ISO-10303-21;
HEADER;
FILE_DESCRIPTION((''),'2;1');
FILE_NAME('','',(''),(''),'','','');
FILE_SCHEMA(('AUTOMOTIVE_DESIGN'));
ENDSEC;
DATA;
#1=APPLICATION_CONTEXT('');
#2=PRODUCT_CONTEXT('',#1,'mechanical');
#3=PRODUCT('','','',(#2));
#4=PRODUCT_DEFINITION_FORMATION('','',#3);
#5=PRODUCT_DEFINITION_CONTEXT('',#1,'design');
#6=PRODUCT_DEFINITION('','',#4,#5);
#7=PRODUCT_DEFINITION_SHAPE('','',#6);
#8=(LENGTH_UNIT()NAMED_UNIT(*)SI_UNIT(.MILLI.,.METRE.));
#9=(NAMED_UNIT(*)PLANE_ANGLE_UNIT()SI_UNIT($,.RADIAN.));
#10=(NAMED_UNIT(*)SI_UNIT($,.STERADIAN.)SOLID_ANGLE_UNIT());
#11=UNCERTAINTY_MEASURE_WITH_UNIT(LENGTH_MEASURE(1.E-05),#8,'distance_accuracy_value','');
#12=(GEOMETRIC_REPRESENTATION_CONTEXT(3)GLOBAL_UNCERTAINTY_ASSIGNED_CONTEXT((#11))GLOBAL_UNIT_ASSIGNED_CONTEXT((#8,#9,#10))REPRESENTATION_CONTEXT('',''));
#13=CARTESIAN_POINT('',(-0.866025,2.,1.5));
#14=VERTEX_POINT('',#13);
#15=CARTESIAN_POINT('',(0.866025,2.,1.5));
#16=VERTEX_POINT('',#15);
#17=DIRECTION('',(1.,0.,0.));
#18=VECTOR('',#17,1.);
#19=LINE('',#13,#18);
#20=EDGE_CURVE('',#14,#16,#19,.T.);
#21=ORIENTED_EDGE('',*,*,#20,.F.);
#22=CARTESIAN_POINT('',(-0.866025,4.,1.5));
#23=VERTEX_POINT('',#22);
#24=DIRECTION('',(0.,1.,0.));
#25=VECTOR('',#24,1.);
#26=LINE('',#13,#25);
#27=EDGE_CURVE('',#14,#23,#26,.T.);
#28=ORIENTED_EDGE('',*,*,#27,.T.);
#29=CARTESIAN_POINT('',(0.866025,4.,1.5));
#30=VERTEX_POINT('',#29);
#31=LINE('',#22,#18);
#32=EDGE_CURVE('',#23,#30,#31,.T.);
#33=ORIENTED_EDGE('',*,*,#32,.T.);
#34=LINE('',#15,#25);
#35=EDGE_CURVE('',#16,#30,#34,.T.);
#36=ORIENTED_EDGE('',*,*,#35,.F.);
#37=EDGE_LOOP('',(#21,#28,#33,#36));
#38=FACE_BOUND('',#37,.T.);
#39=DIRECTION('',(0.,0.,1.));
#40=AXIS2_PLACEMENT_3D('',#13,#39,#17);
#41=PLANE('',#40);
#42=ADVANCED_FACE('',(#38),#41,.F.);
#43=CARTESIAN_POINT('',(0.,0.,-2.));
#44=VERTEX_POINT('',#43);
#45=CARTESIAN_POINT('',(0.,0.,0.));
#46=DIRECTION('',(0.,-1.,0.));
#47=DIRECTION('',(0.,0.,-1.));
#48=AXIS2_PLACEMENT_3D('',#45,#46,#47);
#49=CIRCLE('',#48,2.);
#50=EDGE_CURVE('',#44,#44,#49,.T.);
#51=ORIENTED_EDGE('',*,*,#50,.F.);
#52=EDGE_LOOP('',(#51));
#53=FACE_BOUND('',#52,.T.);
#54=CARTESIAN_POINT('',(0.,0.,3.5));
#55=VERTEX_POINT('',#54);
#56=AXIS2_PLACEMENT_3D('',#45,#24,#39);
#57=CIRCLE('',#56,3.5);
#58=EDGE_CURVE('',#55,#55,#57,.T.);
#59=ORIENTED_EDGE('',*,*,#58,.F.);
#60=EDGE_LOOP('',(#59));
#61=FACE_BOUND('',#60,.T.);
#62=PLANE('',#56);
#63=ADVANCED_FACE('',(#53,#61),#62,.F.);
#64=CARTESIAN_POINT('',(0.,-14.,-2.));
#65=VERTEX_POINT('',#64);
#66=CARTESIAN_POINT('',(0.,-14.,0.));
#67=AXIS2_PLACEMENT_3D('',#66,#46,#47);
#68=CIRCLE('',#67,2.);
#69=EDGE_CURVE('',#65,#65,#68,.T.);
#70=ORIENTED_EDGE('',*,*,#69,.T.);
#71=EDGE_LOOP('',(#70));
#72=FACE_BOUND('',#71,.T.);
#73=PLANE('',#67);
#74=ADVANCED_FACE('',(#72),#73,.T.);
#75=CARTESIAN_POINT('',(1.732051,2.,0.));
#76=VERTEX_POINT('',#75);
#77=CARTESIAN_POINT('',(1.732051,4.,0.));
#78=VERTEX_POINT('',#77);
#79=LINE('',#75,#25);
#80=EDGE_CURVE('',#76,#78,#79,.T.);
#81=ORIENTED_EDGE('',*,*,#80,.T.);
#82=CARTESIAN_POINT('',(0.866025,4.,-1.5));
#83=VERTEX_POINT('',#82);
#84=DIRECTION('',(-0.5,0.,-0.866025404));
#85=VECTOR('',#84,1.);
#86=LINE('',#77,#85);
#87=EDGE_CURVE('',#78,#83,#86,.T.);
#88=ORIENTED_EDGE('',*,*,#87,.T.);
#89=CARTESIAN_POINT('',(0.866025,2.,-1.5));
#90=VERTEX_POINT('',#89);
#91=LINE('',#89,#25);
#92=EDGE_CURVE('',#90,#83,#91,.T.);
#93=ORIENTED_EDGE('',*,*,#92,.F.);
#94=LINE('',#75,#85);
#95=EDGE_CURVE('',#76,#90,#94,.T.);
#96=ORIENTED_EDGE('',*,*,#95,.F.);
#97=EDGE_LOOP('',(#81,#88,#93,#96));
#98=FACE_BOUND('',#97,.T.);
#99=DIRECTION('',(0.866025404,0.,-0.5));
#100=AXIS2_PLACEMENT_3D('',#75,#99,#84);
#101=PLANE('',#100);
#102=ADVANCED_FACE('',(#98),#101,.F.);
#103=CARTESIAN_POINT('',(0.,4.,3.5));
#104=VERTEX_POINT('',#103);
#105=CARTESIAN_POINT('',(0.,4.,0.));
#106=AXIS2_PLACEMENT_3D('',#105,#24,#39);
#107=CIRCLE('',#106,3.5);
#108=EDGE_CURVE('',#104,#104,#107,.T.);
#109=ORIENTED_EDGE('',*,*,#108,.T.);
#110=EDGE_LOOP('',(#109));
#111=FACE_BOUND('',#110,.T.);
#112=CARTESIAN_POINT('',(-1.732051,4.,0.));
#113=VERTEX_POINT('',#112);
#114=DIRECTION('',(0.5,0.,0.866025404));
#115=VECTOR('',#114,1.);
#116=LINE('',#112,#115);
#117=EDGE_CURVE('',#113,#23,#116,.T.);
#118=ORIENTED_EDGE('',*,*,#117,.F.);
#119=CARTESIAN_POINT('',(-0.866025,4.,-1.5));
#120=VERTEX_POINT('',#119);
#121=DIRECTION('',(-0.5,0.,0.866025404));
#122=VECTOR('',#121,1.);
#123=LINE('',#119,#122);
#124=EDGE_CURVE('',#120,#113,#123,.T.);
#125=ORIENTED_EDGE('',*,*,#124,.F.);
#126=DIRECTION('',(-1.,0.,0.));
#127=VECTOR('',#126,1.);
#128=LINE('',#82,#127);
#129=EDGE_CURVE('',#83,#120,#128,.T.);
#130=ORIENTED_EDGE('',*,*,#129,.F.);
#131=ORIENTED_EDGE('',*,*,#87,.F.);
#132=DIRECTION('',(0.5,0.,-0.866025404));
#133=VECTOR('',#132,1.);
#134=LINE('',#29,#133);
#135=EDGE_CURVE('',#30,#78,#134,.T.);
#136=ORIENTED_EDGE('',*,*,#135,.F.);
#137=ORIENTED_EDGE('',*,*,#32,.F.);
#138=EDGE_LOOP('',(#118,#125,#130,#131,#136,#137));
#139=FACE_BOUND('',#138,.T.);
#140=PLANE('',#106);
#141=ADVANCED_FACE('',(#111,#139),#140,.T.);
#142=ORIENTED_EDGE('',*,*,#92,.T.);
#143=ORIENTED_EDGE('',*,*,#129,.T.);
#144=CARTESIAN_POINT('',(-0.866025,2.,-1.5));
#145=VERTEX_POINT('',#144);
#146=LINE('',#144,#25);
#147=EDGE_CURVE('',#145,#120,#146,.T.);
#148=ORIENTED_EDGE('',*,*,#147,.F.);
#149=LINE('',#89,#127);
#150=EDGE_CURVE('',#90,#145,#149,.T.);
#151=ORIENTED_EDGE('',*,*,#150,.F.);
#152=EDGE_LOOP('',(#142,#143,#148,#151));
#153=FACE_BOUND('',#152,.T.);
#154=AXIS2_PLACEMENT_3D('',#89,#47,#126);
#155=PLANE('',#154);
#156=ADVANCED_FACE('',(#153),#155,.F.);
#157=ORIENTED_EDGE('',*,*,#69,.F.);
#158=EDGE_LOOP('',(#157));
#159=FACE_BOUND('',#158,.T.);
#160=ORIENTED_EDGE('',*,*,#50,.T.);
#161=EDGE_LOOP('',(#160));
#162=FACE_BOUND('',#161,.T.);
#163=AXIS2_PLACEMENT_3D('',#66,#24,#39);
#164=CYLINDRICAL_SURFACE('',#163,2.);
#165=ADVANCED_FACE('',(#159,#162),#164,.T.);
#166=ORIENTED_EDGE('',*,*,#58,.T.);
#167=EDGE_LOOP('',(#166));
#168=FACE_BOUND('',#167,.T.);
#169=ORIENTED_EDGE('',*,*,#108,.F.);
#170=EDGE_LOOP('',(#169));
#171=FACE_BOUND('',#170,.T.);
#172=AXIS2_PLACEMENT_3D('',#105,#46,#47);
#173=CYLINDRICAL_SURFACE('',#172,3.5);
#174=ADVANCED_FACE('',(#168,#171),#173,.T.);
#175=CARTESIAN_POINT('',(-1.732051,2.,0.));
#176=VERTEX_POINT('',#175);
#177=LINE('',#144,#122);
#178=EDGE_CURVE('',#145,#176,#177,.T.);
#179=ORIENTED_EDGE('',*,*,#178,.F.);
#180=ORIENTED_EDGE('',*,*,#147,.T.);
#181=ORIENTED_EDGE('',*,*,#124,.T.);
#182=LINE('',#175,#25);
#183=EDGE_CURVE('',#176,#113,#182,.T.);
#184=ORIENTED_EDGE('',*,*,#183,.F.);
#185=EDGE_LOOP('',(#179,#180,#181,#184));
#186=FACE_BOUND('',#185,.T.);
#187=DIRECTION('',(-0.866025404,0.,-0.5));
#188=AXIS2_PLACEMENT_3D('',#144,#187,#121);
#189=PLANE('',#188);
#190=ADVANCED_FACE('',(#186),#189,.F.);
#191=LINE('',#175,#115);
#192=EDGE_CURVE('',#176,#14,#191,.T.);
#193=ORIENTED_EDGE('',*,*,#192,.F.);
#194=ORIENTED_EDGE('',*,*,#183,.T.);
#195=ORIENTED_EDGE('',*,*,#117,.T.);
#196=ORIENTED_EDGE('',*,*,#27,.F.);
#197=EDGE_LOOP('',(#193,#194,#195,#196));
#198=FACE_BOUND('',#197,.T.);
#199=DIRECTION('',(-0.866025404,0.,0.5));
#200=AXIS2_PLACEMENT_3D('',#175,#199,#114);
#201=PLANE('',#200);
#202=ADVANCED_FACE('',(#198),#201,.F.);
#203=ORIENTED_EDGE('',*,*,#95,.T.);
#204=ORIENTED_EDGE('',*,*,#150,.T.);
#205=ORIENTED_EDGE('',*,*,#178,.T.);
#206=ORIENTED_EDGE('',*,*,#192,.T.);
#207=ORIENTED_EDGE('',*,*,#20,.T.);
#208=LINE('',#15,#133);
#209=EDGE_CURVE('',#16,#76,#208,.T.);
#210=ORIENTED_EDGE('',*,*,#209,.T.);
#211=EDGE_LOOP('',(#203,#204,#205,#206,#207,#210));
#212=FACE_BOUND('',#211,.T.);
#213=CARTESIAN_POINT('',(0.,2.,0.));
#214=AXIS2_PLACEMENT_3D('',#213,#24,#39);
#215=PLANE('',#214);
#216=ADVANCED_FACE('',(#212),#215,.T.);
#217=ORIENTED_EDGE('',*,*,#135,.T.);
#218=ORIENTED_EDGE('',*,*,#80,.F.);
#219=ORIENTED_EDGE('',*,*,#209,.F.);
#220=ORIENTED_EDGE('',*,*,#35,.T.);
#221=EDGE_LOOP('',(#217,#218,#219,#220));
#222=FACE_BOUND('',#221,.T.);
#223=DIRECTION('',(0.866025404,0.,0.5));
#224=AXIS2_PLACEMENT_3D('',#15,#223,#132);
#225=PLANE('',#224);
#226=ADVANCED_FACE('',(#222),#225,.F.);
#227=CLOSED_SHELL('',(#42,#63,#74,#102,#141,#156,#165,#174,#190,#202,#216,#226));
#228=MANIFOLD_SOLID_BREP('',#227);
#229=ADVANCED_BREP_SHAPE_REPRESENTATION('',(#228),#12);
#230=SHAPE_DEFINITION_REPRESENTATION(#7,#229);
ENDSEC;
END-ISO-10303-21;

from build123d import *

# Parameters (mm, degrees)
SKETCH_1_R            = 3.5
EXTRUDE_249_DEPTH     = 4
CUT_EXTRUDE_379_DEPTH = 2
SKETCH_3_R            = 2
EXTRUDE_480_DEPTH     = 14


with BuildPart() as part:
    # 草图1 → Extrude 249 (new body)
    with BuildSketch(Plane(origin=(0, 0, 0), x_dir=(1, 0, 0), z_dir=(0, 1, 0))):
        Circle(SKETCH_1_R)
    extrude(amount=EXTRUDE_249_DEPTH)

    # 草图2 → Cut-Extrude 379 (cut)
    with BuildSketch(Plane(origin=(0, 4, 0), x_dir=(1, 0, 0), z_dir=(0, 1, 0))):
        Polygon((1.732050808, 0), (0.866025404, 1.5), (-0.866025404, 1.5), (-1.732050808, 0), (-0.866025404, -1.5), (0.866025404, -1.5), align=None)
    extrude(amount=-CUT_EXTRUDE_379_DEPTH, mode=Mode.SUBTRACT)

    # 草图3 → Extrude 480 (add)
    with BuildSketch(Plane.XZ):
        Circle(SKETCH_3_R)
    extrude(amount=EXTRUDE_480_DEPTH)


solid = part.part
